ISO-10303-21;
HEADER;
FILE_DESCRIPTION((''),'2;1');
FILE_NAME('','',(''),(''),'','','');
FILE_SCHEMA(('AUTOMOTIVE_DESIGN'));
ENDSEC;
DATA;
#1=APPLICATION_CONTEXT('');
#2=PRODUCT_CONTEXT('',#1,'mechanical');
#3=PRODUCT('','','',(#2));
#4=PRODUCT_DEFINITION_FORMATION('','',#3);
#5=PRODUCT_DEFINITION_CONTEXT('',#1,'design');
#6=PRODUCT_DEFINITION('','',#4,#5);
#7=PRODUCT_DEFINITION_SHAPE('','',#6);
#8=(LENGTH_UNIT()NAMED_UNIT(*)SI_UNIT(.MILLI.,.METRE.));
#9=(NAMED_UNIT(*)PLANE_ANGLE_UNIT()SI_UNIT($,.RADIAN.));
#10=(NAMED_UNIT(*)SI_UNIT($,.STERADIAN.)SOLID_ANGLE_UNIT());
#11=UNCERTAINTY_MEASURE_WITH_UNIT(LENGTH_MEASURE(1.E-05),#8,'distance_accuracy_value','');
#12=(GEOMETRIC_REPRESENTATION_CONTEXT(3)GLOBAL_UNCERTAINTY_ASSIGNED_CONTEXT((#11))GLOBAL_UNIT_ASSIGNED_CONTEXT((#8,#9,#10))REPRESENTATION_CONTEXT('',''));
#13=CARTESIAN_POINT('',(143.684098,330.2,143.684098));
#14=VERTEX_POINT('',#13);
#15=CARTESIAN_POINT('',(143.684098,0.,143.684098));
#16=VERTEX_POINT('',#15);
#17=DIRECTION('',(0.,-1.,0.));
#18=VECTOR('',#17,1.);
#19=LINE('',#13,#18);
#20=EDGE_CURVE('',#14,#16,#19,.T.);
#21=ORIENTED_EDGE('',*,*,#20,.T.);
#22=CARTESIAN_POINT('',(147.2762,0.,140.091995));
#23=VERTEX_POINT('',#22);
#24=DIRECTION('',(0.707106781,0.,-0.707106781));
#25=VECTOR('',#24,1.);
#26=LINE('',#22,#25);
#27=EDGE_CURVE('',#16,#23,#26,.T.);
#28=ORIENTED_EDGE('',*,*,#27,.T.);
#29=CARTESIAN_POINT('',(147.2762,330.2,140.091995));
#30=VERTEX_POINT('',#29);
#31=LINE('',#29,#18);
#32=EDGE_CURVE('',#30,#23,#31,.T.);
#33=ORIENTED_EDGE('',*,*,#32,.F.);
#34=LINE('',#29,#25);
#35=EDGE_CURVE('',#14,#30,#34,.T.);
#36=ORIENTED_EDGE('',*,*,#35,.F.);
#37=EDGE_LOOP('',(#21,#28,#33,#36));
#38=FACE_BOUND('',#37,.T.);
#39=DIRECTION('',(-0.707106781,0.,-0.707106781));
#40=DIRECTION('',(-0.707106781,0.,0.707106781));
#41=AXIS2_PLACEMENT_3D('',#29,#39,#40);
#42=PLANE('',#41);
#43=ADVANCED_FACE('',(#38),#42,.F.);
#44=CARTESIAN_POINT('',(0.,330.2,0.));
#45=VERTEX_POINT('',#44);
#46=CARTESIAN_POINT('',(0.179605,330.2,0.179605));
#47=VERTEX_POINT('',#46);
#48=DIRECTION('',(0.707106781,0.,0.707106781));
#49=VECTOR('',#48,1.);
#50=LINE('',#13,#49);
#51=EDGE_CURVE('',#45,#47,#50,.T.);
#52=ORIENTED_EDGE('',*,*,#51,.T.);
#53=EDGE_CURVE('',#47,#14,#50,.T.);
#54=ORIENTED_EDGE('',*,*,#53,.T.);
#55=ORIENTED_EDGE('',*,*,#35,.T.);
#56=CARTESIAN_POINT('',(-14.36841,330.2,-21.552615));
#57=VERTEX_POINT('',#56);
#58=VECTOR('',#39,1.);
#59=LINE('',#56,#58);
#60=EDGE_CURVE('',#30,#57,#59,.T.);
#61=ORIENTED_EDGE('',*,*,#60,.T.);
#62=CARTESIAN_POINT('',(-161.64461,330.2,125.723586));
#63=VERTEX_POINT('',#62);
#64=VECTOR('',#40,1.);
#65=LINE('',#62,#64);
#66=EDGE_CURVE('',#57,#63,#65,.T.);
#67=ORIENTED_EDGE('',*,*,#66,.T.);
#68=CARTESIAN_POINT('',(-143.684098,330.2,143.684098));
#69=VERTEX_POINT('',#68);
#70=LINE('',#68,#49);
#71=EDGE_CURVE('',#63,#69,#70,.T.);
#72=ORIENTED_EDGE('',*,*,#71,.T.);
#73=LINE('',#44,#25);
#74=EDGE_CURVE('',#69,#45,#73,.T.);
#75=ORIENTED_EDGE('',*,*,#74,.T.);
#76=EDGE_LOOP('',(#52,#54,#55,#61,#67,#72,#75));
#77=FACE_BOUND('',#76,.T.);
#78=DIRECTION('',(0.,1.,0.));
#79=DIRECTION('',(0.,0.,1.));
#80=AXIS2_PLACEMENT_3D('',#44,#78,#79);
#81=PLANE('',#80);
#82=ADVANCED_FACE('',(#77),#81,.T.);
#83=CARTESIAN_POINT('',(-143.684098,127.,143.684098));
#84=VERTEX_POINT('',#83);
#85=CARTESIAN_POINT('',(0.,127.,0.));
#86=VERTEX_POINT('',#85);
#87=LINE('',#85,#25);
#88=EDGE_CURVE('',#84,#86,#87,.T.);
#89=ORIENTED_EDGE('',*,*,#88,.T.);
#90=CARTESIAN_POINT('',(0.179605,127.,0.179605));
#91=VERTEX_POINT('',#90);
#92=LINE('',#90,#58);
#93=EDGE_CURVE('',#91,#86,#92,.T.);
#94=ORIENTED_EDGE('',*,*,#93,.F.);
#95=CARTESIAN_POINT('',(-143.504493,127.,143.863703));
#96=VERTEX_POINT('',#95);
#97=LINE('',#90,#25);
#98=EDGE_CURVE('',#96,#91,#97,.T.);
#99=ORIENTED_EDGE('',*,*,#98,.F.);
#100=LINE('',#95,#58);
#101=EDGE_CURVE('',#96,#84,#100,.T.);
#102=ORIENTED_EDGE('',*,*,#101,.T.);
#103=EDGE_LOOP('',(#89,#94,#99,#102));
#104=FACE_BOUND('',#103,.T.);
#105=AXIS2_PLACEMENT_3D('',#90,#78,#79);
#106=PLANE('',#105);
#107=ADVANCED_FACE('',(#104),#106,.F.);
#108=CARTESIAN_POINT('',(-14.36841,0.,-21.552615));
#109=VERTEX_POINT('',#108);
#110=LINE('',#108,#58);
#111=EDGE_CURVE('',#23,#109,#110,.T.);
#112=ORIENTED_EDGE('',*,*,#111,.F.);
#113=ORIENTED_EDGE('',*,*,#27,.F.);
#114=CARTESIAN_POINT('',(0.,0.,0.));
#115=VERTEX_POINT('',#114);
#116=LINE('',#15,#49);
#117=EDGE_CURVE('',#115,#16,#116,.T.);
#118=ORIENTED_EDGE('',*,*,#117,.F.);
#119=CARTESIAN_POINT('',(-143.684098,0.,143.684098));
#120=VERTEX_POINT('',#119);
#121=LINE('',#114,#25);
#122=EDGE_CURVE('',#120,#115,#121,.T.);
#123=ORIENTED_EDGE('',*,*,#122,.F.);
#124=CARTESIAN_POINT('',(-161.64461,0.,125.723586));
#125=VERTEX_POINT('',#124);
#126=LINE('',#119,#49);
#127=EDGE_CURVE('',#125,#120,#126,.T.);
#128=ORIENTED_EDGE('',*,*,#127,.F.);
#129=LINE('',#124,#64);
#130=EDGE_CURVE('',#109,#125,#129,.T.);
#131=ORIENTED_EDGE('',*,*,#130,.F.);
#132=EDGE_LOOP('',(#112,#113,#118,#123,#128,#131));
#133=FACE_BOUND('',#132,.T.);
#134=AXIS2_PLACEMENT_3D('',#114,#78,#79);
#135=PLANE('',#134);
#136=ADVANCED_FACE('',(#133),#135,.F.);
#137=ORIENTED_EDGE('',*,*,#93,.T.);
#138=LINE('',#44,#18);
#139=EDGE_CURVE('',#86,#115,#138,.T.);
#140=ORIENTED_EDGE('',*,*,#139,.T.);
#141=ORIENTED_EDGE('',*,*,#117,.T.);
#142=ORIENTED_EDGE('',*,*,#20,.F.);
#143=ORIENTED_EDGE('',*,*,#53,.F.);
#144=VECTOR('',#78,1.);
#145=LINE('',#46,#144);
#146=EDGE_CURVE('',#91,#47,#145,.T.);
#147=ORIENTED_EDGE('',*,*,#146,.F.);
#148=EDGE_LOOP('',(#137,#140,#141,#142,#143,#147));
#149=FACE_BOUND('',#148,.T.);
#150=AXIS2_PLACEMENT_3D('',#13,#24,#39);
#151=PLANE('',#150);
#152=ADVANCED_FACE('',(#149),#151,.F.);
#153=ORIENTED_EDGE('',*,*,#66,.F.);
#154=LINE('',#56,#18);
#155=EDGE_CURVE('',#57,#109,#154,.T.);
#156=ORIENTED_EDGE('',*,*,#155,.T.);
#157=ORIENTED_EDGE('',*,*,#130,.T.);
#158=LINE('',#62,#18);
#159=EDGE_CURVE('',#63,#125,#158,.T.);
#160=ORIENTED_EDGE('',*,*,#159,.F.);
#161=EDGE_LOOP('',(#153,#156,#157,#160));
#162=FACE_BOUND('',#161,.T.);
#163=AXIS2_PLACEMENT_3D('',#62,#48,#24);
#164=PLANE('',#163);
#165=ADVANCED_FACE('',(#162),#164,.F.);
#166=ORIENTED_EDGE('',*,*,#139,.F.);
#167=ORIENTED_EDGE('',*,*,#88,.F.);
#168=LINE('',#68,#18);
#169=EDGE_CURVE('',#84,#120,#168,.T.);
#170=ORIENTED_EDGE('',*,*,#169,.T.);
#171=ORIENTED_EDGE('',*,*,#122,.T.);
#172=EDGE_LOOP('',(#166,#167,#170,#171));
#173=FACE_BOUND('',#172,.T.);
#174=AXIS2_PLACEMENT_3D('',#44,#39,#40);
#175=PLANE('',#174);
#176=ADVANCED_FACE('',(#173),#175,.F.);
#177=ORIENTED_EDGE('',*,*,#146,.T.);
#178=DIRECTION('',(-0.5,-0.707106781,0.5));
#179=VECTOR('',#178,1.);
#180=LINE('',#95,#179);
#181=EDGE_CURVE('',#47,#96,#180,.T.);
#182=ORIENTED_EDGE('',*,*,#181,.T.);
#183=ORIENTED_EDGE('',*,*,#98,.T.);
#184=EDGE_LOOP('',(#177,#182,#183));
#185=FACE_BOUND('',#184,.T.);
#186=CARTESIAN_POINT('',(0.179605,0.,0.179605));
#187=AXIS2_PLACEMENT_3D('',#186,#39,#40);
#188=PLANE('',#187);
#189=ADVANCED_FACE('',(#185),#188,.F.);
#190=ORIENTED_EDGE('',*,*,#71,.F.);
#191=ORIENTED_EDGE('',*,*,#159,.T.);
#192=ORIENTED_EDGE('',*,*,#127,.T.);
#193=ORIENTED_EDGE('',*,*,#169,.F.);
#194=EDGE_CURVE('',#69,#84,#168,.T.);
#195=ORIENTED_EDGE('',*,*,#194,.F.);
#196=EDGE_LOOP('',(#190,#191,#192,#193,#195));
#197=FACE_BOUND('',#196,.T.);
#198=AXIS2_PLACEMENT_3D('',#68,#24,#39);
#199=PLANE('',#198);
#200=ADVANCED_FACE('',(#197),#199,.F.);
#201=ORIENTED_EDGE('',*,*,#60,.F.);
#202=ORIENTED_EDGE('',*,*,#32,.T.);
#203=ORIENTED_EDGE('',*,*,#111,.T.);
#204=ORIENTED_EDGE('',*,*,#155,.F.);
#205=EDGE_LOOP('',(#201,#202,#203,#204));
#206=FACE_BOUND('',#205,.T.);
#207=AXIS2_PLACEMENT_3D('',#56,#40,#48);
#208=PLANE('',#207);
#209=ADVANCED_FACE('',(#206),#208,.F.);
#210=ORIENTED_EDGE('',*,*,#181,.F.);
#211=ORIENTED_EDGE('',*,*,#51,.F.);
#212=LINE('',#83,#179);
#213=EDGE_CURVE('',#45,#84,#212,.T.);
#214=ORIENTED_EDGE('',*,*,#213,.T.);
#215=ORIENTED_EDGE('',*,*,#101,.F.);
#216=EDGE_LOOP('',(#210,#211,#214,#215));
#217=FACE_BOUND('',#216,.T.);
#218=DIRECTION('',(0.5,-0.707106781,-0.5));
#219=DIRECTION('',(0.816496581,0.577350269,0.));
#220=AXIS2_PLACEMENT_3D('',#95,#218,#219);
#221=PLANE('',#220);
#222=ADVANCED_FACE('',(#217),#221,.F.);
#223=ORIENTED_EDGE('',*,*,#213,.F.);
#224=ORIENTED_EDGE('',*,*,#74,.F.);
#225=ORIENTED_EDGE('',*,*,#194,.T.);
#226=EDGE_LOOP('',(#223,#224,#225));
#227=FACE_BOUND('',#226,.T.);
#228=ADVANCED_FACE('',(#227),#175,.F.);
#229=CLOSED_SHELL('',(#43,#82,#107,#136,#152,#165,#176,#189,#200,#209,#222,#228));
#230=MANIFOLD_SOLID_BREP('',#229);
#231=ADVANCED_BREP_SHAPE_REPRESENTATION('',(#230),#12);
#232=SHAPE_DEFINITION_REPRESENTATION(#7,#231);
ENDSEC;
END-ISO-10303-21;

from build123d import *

# Parameters (mm, degrees)
BOSS_EXTRUDE1_DEPTH = 330.2
BOSS_EXTRUDE2_DEPTH = 0.254


with BuildPart() as part:
    # Sketch1 → Boss-Extrude1 (new body)
    with BuildSketch(Plane(origin=(0, 0, 0), x_dir=(1, 0, 0), z_dir=(0, 1, 0))):
        Polygon((0, 0), (-143.684097937, -143.684097937), (-161.644610179, -125.723585695), (-14.368409794, 21.552614691), (147.276200386, -140.091995489), (143.684097937, -143.684097937), align=None)
    extrude(amount=BOSS_EXTRUDE1_DEPTH)

    # Sketch2 → Boss-Extrude2 (add)
    with BuildSketch(Plane(origin=(0, 0, 0), x_dir=(0.707106781, 0, -0.707106781), z_dir=(0.707106781, 0, 0.707106781))):
        Polygon((0, 330.2), (0, 127), (-203.2, 127), align=None)
    extrude(amount=BOSS_EXTRUDE2_DEPTH)


solid = part.part
